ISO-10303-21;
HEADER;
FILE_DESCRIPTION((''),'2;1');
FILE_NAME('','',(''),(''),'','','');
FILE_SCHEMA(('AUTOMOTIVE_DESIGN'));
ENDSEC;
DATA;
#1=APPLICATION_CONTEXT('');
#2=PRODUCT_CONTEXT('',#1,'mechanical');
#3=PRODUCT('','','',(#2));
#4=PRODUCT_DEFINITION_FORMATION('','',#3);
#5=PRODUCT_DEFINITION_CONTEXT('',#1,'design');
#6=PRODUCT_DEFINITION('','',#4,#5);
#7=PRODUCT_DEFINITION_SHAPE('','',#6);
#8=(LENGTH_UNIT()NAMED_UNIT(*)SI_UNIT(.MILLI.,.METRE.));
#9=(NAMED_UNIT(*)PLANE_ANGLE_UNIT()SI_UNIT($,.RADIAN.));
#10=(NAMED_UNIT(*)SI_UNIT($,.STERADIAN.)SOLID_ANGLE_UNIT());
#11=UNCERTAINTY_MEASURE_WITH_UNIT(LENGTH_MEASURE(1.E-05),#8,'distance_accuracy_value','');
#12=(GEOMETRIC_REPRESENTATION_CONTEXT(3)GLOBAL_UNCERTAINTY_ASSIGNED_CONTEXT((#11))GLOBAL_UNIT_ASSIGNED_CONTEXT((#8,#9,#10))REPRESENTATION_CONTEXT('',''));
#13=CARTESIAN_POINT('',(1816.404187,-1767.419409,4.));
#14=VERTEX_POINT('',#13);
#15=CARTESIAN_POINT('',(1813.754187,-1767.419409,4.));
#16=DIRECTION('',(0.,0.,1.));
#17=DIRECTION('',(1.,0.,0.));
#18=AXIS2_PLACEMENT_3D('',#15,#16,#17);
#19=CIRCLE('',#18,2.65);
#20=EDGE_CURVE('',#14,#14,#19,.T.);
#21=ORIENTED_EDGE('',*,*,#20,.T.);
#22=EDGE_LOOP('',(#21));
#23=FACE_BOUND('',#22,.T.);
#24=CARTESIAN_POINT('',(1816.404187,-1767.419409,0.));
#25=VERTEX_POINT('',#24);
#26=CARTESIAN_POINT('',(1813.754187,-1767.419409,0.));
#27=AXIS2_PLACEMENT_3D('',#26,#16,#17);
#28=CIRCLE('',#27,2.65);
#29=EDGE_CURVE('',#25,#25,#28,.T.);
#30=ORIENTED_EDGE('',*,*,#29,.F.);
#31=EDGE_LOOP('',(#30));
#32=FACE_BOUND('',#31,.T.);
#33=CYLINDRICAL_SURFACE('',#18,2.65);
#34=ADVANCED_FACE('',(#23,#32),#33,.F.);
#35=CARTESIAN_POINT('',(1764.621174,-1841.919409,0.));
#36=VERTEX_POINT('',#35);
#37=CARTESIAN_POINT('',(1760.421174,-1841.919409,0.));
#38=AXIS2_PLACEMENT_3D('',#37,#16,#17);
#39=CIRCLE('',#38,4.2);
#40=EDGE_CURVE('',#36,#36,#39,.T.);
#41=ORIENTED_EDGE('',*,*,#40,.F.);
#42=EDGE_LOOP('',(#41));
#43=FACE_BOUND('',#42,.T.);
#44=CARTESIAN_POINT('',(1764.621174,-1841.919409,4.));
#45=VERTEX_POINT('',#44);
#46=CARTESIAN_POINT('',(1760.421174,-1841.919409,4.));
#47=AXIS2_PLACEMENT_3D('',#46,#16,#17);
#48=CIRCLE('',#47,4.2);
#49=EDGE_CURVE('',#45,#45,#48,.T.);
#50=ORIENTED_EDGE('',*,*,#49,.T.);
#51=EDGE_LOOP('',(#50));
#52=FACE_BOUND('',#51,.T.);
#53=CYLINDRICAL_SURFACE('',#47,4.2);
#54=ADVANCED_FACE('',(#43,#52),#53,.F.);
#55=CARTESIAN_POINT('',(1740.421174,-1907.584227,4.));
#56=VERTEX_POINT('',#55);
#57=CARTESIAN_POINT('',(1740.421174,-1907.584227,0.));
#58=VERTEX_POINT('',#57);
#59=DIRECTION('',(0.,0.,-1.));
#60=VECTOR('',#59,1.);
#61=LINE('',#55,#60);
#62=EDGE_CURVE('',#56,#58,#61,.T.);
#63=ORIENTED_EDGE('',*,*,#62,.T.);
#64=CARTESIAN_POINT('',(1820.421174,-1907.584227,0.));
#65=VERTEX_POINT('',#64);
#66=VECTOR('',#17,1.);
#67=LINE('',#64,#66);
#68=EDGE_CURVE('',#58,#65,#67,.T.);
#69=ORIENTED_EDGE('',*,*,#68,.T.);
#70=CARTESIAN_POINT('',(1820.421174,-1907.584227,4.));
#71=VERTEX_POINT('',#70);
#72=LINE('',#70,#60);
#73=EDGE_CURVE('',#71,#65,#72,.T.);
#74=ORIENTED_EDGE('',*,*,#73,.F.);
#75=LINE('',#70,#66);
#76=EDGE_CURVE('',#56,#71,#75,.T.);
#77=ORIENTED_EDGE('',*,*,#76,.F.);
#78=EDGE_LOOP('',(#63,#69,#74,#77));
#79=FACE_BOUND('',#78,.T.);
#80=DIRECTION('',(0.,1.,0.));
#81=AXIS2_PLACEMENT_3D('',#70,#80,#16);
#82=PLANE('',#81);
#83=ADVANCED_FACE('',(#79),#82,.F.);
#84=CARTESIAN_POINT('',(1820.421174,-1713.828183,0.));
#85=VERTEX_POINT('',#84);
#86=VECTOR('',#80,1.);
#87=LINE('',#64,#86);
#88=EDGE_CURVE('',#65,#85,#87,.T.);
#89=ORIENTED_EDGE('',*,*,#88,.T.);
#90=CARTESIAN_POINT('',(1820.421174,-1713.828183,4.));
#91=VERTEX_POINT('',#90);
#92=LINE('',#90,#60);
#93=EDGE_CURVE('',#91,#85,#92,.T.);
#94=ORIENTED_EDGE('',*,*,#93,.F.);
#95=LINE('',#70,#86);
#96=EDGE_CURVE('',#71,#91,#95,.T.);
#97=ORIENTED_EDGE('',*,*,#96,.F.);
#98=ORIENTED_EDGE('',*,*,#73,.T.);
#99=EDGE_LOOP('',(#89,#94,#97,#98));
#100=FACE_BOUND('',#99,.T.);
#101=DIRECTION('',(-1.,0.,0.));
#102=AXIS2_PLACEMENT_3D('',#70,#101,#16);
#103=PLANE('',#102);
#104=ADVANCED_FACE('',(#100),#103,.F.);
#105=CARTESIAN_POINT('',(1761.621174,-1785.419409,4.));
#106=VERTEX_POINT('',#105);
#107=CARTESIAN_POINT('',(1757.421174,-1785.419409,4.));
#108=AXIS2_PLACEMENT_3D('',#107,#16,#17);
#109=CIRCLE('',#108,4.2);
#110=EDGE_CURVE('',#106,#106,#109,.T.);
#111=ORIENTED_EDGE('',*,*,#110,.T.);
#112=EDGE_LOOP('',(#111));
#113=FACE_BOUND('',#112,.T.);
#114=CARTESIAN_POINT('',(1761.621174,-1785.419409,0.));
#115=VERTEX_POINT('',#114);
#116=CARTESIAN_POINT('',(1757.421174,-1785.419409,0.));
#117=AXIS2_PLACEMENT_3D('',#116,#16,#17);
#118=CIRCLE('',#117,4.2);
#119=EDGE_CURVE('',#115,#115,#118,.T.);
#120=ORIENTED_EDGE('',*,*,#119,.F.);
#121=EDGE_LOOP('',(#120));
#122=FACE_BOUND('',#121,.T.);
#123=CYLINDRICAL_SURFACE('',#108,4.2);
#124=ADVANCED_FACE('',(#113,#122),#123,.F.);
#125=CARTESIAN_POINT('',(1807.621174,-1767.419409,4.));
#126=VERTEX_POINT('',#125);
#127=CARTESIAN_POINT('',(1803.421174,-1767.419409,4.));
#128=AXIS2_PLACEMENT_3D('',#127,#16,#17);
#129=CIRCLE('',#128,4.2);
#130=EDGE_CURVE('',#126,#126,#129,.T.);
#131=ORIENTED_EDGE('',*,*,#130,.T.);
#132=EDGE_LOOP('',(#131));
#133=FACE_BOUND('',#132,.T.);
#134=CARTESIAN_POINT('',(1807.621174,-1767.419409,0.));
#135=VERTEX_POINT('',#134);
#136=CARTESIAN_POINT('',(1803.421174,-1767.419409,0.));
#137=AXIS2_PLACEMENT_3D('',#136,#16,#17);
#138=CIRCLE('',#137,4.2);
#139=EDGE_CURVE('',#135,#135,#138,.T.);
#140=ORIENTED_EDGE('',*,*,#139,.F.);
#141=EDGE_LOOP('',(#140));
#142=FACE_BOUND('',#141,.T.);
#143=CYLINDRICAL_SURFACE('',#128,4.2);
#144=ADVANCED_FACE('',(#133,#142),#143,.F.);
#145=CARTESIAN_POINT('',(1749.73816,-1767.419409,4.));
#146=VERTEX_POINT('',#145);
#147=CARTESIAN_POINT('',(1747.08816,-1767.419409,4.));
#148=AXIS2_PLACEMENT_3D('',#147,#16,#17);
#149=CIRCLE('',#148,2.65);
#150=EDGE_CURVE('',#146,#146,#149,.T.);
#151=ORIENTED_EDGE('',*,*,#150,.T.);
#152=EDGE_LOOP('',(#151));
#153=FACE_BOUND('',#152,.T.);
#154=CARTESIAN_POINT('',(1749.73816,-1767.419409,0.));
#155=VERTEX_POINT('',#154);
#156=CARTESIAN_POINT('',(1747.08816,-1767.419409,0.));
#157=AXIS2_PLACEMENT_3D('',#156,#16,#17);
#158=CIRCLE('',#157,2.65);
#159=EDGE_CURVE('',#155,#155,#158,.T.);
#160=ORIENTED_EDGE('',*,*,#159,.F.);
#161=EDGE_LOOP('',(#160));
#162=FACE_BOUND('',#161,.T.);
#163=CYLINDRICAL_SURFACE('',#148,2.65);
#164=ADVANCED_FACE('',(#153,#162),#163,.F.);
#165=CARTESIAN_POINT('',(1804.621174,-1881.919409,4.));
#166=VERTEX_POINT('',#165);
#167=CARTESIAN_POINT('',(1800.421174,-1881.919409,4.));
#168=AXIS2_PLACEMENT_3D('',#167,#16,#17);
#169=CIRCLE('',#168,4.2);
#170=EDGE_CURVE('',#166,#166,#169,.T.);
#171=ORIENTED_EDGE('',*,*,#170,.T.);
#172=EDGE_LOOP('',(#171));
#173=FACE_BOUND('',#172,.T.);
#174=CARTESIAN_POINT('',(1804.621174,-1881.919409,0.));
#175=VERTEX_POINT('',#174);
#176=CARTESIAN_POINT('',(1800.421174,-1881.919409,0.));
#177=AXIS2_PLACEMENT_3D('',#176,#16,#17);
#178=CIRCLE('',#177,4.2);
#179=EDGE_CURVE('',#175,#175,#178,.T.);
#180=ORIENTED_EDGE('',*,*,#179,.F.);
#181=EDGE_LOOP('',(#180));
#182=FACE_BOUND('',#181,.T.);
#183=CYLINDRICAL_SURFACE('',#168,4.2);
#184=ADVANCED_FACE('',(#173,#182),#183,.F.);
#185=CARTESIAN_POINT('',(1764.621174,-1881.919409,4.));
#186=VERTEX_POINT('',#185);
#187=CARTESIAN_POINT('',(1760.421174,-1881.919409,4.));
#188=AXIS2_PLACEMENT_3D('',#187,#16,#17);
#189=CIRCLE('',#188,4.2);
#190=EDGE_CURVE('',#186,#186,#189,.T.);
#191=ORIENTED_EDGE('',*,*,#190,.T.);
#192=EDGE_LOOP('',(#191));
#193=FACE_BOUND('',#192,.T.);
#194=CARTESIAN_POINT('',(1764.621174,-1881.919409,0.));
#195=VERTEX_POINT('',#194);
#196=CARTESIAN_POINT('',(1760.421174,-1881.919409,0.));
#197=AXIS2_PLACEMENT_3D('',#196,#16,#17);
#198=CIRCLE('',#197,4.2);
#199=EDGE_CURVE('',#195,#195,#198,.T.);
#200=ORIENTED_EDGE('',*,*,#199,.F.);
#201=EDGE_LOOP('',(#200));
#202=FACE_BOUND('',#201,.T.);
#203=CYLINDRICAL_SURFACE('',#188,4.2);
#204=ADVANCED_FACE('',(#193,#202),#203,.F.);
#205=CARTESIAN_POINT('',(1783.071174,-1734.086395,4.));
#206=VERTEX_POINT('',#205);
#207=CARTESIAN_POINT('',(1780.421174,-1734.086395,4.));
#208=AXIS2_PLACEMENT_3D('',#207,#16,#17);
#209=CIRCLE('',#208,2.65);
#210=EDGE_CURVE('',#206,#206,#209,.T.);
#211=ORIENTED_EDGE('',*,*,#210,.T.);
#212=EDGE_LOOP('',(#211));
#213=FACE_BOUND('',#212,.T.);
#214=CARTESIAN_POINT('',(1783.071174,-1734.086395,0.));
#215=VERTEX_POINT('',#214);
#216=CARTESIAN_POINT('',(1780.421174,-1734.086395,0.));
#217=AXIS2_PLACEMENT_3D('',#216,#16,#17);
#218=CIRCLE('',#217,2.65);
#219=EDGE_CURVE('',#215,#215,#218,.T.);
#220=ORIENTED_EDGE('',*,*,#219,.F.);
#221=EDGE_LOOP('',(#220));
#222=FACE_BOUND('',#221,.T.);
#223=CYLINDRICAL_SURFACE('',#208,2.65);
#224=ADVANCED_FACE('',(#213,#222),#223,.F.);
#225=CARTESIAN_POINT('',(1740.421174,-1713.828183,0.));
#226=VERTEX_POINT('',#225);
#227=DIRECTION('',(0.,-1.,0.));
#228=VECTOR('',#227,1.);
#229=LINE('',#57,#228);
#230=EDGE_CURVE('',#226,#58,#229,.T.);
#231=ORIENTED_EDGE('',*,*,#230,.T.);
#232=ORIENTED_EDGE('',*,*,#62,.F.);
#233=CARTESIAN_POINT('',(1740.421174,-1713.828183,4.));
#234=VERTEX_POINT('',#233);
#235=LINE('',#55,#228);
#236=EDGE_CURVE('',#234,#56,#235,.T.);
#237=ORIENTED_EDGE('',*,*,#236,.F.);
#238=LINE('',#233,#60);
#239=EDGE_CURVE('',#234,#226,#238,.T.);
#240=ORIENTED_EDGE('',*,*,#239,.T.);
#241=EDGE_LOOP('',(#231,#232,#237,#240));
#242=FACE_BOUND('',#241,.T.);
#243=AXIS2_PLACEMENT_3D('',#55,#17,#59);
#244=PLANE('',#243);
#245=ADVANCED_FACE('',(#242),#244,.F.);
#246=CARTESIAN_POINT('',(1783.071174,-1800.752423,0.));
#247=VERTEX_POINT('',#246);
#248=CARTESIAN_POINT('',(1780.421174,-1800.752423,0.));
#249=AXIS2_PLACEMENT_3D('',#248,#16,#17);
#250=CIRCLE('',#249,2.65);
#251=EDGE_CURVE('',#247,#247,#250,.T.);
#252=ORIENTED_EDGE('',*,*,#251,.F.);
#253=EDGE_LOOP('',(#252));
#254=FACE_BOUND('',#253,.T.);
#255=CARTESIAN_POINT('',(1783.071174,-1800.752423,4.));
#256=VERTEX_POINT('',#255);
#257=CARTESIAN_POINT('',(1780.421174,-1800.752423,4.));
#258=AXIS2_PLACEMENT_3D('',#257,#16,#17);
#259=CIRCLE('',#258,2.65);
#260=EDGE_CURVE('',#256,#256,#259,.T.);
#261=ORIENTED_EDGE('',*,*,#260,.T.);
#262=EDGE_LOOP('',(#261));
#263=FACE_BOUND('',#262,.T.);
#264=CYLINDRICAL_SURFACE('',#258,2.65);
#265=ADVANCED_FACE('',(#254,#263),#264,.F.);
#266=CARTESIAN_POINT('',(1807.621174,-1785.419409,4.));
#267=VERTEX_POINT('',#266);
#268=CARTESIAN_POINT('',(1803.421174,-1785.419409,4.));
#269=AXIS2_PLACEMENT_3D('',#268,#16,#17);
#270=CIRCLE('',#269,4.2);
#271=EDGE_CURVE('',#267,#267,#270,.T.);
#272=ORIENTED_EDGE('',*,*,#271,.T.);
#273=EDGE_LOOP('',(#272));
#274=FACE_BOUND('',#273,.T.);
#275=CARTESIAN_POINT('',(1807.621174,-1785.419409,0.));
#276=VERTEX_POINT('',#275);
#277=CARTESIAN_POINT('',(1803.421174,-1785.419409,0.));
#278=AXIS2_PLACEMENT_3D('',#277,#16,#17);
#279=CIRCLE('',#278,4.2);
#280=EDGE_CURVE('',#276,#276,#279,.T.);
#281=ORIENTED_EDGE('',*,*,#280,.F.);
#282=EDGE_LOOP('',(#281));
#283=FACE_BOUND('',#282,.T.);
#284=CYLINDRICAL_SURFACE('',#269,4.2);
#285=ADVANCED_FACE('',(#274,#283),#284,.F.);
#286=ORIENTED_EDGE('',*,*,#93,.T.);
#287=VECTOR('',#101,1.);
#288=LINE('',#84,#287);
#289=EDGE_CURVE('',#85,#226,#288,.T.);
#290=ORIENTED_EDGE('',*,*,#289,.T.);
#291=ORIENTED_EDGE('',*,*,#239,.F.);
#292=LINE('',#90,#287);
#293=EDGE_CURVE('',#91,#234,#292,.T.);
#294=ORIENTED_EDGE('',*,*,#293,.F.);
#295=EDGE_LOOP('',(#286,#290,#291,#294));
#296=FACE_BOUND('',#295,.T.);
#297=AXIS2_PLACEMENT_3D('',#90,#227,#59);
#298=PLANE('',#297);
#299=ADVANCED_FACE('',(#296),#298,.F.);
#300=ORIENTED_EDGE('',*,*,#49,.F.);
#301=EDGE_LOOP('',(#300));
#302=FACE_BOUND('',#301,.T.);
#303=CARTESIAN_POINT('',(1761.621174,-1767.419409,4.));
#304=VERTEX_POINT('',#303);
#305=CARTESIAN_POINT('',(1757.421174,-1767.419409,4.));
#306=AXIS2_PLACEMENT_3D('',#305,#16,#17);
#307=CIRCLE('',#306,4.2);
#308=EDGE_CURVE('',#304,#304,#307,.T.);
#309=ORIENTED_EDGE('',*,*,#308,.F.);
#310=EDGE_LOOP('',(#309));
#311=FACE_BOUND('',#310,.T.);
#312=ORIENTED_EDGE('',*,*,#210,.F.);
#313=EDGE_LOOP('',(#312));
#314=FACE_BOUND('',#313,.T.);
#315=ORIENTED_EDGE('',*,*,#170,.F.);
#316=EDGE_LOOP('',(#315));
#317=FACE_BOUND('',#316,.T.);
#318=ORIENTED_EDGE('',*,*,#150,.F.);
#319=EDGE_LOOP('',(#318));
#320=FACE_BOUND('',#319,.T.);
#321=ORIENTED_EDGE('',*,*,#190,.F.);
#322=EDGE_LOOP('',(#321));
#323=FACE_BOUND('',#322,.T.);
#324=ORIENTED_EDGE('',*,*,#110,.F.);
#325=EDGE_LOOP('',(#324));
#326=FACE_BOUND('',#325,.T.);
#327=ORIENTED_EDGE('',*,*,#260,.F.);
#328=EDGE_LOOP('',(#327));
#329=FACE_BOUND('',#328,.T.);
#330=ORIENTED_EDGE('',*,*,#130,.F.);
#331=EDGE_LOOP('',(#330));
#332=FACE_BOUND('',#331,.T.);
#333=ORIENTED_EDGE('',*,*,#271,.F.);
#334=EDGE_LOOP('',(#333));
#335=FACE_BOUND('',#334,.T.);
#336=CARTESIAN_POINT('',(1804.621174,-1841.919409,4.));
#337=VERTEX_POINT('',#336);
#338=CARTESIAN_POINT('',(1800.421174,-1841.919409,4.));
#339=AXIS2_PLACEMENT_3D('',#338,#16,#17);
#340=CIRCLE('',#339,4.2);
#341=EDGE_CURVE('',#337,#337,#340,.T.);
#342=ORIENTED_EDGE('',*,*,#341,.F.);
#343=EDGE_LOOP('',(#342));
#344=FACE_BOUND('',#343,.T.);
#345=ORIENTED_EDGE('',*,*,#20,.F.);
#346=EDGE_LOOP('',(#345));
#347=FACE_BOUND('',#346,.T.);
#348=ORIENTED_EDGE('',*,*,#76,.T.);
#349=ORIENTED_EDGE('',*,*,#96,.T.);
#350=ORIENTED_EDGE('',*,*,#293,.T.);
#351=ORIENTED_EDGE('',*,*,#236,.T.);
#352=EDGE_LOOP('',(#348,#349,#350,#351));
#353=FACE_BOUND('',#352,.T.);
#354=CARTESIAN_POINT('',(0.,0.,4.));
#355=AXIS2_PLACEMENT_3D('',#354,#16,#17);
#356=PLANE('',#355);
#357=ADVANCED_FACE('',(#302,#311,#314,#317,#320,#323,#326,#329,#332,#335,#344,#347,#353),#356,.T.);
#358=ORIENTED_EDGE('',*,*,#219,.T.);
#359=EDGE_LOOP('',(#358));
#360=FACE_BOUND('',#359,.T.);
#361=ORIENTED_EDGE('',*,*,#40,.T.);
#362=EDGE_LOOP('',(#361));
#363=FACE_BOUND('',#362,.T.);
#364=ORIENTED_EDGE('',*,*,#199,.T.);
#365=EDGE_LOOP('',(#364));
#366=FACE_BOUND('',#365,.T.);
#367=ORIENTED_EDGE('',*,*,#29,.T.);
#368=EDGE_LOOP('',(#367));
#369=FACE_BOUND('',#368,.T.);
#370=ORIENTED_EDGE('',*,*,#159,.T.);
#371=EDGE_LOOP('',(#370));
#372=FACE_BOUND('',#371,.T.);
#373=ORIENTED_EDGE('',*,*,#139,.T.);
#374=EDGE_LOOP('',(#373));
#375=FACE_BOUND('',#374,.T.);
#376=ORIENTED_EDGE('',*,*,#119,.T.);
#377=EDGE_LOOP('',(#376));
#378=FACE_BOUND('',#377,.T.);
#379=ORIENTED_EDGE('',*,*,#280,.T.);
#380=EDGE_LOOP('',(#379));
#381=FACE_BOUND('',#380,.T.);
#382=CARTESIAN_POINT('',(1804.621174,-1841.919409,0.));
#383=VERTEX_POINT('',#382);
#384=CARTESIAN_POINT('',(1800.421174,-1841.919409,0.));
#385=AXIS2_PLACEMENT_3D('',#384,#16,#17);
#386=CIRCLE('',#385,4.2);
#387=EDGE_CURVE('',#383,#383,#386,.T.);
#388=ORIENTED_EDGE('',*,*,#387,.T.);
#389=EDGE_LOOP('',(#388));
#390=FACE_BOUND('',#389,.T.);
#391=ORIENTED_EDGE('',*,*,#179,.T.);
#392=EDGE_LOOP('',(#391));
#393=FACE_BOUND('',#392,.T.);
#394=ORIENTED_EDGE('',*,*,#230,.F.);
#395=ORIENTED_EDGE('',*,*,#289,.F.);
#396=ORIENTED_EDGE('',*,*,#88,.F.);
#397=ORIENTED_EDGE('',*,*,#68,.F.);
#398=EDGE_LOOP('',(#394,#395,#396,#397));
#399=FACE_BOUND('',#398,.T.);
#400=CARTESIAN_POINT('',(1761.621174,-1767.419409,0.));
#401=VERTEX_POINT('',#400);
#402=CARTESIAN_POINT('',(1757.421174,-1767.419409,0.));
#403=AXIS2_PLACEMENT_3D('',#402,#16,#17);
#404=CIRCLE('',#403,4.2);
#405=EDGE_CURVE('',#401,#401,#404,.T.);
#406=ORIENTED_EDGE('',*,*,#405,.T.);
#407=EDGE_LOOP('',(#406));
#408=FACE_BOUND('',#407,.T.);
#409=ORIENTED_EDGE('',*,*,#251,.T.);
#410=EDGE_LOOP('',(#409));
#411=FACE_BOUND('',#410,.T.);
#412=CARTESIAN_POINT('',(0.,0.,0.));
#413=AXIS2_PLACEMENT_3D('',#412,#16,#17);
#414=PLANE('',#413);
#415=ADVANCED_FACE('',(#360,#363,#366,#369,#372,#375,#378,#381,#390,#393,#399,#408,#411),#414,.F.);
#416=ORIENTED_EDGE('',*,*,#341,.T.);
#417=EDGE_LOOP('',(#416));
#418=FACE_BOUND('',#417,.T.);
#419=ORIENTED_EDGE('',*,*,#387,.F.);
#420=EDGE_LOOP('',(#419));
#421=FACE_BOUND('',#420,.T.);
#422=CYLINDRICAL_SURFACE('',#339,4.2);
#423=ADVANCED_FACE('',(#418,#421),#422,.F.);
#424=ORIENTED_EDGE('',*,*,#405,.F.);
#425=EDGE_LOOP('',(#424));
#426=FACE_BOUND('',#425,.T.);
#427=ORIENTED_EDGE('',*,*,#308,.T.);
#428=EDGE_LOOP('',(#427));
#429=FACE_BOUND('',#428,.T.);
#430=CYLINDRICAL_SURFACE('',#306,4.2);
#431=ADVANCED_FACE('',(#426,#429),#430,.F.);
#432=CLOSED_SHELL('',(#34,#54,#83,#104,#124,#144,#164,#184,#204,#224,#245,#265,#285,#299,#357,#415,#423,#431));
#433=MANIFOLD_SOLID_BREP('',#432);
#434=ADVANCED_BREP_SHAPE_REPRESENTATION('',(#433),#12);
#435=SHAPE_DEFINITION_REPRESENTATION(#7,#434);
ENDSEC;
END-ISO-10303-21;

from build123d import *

# Parameters (mm, degrees)
SKETCH1_W            = 80
SKETCH1_H            = 193.756044748
BOSS_EXTRUDE1_DEPTH  = 4
M8_CLEARANCE_HOLE1_D = 8.4
M5_CLEARANCE_HOLE1_D = 5.3


with BuildPart() as part:
    # Sketch1 → Boss-Extrude1 (new body)
    with BuildSketch(Plane.XY):
        with Locations((1780.42117355, -1810.70620503)):
            Rectangle(SKETCH1_W, SKETCH1_H)
    extrude(amount=BOSS_EXTRUDE1_DEPTH)

    # M8 Clearance Hole1 (through all)
    with Locations(Plane.XY.offset(4)):
        with Locations((1757.421173548, -1767.419409116), (1803.421173548, -1767.419409116), (1803.421173548, -1785.419409116), (1757.421173548, -1785.419409116), (1800.42117355, -1841.919409116), (1760.42117355, -1841.919409116), (1800.42117355, -1881.919409116), (1760.42117355, -1881.919409116)):
            Hole(M8_CLEARANCE_HOLE1_D / 2)

    # M5 Clearance Hole1 (through all)
    with Locations(Plane.XY.offset(4)):
        with Locations((1813.754187213, -1767.419409116), (1747.088159883, -1767.419409116), (1780.421173548, -1734.086395451), (1780.421173548, -1800.752422781)):
            Hole(M5_CLEARANCE_HOLE1_D / 2)


solid = part.part
